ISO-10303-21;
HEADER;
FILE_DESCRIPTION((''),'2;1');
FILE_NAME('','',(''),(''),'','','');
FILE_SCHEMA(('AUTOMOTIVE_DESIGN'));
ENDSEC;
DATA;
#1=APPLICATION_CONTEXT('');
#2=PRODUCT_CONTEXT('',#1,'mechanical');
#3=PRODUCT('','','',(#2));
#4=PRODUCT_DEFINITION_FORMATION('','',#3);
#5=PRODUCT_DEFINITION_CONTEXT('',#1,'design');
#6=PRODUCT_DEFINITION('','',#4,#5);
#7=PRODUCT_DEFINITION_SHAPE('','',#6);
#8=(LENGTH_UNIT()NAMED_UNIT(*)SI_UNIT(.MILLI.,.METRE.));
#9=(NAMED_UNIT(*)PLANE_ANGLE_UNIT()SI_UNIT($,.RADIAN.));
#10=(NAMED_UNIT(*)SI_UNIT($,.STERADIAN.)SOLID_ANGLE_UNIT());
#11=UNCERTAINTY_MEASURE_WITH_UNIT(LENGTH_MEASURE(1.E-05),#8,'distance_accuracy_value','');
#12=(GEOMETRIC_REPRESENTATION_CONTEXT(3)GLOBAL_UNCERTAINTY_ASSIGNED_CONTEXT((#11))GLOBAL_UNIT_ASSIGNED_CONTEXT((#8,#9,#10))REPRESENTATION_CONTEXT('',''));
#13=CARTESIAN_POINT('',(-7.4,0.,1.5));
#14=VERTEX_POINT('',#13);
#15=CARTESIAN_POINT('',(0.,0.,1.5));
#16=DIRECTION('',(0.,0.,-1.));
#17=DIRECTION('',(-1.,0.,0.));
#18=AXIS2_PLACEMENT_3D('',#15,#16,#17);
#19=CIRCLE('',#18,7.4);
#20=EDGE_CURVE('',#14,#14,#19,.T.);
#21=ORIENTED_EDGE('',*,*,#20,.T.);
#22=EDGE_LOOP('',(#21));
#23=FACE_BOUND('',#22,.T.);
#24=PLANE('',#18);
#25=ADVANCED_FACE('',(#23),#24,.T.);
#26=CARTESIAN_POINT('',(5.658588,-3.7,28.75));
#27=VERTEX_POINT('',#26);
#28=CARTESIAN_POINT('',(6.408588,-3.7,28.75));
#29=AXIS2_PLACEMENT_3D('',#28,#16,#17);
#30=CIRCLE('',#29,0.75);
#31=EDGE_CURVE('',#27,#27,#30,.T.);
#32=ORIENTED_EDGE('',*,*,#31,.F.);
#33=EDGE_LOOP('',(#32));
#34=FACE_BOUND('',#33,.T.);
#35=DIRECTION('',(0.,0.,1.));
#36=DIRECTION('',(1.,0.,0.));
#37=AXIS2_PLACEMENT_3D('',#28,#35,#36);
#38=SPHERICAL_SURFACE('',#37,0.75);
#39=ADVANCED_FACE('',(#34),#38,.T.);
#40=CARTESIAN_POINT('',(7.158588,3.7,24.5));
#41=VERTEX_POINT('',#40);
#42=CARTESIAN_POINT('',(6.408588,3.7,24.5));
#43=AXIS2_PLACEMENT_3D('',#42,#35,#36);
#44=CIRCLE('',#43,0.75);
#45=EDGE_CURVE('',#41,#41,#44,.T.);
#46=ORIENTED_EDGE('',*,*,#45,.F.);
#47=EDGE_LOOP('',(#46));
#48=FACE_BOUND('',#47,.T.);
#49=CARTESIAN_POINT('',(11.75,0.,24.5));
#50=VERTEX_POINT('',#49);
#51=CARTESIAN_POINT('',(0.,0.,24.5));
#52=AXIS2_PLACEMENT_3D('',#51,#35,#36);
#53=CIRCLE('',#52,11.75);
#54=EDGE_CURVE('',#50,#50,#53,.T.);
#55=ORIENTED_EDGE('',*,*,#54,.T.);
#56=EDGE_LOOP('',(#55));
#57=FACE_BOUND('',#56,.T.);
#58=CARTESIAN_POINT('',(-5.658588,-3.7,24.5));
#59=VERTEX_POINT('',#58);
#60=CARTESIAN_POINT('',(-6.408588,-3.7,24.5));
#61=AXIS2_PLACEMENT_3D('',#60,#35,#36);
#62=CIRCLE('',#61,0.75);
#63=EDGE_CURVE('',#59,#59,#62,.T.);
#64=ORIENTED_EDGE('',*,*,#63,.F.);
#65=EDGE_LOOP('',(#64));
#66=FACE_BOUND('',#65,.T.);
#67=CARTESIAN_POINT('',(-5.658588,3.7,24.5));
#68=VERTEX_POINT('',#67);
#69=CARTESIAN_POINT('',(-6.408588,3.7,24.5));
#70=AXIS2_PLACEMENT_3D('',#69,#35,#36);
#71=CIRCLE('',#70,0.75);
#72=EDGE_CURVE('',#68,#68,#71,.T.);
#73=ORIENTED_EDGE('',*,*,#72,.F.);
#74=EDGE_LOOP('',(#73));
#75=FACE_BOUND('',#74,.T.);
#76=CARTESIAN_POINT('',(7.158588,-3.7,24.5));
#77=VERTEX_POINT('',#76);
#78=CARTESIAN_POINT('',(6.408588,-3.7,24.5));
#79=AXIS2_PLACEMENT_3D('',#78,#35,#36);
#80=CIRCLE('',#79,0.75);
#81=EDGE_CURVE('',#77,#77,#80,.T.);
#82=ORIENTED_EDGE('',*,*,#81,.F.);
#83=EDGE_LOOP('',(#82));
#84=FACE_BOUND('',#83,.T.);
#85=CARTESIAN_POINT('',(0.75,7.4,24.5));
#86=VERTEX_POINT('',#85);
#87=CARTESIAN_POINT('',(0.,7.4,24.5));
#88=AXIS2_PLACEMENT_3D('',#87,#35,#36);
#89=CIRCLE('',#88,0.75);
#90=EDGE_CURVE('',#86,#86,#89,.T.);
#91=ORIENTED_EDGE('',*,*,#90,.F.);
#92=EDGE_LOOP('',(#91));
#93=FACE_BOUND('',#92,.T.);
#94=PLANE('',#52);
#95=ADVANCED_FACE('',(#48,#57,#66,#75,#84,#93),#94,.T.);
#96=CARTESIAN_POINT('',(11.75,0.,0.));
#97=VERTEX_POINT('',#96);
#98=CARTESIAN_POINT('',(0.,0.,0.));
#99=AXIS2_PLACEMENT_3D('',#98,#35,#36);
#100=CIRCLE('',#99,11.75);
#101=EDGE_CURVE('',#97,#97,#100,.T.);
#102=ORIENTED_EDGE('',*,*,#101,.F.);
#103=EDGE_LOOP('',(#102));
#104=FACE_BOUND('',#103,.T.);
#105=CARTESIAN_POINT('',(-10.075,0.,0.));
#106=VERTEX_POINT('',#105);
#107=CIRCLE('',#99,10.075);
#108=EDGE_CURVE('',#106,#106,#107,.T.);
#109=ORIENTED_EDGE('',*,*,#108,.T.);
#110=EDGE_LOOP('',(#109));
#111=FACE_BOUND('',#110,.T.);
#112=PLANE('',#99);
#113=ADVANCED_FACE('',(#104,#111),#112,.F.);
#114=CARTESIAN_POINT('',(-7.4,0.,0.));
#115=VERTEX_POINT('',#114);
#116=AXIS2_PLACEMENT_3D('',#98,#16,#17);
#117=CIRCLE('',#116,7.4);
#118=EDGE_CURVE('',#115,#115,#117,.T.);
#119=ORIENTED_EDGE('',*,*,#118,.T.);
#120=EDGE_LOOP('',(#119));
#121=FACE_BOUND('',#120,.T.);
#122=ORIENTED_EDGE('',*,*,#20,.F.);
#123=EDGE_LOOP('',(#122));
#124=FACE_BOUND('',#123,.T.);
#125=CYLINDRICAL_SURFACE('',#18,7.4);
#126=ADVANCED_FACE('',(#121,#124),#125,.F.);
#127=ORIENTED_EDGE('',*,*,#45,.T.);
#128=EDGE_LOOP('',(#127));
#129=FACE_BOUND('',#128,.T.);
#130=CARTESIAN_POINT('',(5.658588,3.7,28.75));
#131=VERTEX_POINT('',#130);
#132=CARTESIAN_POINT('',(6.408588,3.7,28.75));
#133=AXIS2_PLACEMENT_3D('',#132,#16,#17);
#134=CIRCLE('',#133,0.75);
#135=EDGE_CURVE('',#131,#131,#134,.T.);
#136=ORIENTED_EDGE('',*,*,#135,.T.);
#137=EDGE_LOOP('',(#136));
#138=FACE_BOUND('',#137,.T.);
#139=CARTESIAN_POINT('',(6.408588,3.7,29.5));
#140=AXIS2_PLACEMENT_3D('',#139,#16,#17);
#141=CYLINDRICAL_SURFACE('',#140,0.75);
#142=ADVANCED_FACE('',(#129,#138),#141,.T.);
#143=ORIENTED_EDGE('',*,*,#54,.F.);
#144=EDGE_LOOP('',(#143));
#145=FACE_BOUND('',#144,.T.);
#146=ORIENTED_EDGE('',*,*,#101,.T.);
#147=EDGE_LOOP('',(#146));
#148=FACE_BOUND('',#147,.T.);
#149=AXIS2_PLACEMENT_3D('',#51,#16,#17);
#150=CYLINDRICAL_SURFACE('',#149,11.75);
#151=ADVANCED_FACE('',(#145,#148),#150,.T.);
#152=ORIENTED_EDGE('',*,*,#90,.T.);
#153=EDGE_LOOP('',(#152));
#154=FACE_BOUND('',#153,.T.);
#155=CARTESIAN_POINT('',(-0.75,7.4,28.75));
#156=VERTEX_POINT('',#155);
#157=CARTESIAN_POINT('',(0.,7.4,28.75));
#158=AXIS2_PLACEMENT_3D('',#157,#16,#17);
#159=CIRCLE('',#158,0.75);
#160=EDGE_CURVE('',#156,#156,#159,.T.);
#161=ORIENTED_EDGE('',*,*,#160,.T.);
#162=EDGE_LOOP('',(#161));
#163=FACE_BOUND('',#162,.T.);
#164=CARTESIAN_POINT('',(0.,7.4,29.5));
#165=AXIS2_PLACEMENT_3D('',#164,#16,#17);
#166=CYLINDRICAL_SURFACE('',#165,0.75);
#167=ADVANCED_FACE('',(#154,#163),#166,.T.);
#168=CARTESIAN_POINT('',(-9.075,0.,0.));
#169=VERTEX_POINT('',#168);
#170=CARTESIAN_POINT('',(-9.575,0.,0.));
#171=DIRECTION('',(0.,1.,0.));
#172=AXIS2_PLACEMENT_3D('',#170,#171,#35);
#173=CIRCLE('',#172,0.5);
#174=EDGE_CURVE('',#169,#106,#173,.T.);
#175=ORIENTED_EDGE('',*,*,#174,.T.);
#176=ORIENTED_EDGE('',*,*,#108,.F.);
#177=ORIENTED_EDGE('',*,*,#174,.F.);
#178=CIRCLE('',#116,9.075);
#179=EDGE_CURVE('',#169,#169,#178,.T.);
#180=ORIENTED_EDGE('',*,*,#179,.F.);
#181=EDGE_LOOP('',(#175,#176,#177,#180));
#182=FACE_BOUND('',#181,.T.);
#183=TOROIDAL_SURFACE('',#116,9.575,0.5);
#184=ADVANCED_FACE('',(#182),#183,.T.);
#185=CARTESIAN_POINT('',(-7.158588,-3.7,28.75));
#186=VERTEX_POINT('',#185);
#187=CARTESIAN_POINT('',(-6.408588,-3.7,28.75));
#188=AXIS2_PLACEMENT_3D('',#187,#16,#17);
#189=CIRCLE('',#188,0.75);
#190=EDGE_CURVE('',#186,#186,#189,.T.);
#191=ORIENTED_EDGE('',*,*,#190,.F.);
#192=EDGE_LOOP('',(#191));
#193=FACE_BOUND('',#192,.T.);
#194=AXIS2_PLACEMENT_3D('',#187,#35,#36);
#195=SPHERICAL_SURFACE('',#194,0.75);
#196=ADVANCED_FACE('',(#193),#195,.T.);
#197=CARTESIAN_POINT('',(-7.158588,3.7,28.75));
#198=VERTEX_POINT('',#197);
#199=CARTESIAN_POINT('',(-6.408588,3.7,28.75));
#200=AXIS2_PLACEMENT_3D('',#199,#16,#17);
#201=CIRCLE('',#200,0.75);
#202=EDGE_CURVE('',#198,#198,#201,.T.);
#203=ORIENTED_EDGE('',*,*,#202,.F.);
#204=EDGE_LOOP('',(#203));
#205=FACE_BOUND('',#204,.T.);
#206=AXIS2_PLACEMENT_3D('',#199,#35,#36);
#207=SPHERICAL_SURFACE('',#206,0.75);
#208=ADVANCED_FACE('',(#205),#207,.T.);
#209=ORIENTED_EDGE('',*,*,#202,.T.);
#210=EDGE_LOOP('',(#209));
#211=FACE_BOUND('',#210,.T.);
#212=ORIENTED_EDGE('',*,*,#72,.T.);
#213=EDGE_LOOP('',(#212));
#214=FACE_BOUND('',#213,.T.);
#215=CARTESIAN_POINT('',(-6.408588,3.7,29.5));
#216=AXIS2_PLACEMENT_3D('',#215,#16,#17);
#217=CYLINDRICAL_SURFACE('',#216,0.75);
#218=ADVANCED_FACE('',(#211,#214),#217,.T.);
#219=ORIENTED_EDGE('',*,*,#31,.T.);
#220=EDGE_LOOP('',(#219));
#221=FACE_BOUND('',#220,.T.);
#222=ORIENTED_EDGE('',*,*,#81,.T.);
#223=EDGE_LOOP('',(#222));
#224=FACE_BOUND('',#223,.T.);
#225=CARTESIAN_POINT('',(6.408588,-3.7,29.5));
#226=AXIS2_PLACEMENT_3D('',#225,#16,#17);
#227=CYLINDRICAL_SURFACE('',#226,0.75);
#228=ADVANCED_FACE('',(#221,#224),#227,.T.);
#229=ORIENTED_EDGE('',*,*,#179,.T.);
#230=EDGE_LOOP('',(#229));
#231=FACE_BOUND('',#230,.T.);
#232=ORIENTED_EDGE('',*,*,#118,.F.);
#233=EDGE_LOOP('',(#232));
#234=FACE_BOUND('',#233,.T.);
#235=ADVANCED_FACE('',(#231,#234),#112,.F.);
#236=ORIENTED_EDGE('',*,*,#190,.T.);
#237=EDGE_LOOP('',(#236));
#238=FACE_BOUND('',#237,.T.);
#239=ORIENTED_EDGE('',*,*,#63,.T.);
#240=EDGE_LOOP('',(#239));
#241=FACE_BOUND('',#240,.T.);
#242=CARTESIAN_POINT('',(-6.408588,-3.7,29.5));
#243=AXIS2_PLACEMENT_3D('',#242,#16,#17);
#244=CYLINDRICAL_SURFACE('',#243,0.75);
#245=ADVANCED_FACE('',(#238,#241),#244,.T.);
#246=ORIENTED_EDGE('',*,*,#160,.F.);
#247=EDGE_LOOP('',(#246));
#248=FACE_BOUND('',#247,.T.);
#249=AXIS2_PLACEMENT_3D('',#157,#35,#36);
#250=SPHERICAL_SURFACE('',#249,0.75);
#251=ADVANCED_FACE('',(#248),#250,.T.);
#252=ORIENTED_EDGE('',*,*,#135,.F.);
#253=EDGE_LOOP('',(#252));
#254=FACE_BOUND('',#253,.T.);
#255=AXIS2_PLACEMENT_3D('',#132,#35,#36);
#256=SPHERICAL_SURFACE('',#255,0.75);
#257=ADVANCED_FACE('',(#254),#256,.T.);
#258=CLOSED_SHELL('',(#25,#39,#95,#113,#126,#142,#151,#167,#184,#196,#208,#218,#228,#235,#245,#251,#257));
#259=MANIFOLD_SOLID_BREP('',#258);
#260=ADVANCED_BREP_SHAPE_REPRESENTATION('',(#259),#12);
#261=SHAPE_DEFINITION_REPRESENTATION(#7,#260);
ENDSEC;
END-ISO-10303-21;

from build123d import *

# Parameters (mm, degrees)
SKETCH_1_R          = 11.75
EXTRUDE_1_DEPTH     = 24.5
SKETCH_2_R          = 0.75
EXTRUDE_2_DEPTH     = 5
FILLET_1_R          = 0.75
SKETCH_3_R          = 7.4
CUT_EXTRUDE_1_DEPTH = 1.5
SKETCH_5_R          = 0.5


with BuildPart() as part:
    # 草图1 → 凸台-拉伸1 (new body)
    with BuildSketch(Plane.XY):
        Circle(SKETCH_1_R)
    extrude(amount=EXTRUDE_1_DEPTH)

    # 草图2 → 凸台-拉伸2 (add)
    with BuildSketch(Plane.XY.offset(24.5)):
        with Locations((-6.408587988, 3.7)):
            Circle(SKETCH_2_R)
        with Locations((0, 7.4)):
            Circle(SKETCH_2_R)
        with Locations((6.408587988, 3.7)):
            Circle(SKETCH_2_R)
        with Locations((6.408587988, -3.7)):
            Circle(SKETCH_2_R)
        with Locations((-6.408587988, -3.7)):
            Circle(SKETCH_2_R)
    extrude(amount=EXTRUDE_2_DEPTH)

    # 圆角1
    fillet_1_edges = [part.edges().sort_by_distance(p)[0] for p in [
        (5.658587988, 3.7, 29.5),
        (5.658587988, -3.7, 29.5),
        (-7.158587988, -3.7, 29.5),
        (-7.158587988, 3.7, 29.5),
        (-0.75, 7.4, 29.5),
    ]]
    fillet(fillet_1_edges, radius=FILLET_1_R)

    # 草图3 → 切除-拉伸1 (cut)
    with BuildSketch(Plane(origin=(0, 0, 0), x_dir=(-1, 0, 0), z_dir=(0, 0, -1))):
        Circle(SKETCH_3_R)
    extrude(amount=-CUT_EXTRUDE_1_DEPTH, mode=Mode.SUBTRACT)

    # 扫描1: sweep along a path in 草图4
    with BuildLine(Plane(origin=(0, 0, 0), x_dir=(-1, 0, 0), z_dir=(0, 0, -1))) as sweep_1_path:
        CenterArc((0, 0), 9.575, 0, 360)
    # 草图5 → 扫描1 (sweep)
    with BuildSketch(Plane(origin=(0, 0, 0), x_dir=(1, 0, 0), z_dir=(0, 1, 0))):
        with Locations((-9.575, 0)):
            Circle(SKETCH_5_R)
    sweep(path=sweep_1_path.line)


solid = part.part
